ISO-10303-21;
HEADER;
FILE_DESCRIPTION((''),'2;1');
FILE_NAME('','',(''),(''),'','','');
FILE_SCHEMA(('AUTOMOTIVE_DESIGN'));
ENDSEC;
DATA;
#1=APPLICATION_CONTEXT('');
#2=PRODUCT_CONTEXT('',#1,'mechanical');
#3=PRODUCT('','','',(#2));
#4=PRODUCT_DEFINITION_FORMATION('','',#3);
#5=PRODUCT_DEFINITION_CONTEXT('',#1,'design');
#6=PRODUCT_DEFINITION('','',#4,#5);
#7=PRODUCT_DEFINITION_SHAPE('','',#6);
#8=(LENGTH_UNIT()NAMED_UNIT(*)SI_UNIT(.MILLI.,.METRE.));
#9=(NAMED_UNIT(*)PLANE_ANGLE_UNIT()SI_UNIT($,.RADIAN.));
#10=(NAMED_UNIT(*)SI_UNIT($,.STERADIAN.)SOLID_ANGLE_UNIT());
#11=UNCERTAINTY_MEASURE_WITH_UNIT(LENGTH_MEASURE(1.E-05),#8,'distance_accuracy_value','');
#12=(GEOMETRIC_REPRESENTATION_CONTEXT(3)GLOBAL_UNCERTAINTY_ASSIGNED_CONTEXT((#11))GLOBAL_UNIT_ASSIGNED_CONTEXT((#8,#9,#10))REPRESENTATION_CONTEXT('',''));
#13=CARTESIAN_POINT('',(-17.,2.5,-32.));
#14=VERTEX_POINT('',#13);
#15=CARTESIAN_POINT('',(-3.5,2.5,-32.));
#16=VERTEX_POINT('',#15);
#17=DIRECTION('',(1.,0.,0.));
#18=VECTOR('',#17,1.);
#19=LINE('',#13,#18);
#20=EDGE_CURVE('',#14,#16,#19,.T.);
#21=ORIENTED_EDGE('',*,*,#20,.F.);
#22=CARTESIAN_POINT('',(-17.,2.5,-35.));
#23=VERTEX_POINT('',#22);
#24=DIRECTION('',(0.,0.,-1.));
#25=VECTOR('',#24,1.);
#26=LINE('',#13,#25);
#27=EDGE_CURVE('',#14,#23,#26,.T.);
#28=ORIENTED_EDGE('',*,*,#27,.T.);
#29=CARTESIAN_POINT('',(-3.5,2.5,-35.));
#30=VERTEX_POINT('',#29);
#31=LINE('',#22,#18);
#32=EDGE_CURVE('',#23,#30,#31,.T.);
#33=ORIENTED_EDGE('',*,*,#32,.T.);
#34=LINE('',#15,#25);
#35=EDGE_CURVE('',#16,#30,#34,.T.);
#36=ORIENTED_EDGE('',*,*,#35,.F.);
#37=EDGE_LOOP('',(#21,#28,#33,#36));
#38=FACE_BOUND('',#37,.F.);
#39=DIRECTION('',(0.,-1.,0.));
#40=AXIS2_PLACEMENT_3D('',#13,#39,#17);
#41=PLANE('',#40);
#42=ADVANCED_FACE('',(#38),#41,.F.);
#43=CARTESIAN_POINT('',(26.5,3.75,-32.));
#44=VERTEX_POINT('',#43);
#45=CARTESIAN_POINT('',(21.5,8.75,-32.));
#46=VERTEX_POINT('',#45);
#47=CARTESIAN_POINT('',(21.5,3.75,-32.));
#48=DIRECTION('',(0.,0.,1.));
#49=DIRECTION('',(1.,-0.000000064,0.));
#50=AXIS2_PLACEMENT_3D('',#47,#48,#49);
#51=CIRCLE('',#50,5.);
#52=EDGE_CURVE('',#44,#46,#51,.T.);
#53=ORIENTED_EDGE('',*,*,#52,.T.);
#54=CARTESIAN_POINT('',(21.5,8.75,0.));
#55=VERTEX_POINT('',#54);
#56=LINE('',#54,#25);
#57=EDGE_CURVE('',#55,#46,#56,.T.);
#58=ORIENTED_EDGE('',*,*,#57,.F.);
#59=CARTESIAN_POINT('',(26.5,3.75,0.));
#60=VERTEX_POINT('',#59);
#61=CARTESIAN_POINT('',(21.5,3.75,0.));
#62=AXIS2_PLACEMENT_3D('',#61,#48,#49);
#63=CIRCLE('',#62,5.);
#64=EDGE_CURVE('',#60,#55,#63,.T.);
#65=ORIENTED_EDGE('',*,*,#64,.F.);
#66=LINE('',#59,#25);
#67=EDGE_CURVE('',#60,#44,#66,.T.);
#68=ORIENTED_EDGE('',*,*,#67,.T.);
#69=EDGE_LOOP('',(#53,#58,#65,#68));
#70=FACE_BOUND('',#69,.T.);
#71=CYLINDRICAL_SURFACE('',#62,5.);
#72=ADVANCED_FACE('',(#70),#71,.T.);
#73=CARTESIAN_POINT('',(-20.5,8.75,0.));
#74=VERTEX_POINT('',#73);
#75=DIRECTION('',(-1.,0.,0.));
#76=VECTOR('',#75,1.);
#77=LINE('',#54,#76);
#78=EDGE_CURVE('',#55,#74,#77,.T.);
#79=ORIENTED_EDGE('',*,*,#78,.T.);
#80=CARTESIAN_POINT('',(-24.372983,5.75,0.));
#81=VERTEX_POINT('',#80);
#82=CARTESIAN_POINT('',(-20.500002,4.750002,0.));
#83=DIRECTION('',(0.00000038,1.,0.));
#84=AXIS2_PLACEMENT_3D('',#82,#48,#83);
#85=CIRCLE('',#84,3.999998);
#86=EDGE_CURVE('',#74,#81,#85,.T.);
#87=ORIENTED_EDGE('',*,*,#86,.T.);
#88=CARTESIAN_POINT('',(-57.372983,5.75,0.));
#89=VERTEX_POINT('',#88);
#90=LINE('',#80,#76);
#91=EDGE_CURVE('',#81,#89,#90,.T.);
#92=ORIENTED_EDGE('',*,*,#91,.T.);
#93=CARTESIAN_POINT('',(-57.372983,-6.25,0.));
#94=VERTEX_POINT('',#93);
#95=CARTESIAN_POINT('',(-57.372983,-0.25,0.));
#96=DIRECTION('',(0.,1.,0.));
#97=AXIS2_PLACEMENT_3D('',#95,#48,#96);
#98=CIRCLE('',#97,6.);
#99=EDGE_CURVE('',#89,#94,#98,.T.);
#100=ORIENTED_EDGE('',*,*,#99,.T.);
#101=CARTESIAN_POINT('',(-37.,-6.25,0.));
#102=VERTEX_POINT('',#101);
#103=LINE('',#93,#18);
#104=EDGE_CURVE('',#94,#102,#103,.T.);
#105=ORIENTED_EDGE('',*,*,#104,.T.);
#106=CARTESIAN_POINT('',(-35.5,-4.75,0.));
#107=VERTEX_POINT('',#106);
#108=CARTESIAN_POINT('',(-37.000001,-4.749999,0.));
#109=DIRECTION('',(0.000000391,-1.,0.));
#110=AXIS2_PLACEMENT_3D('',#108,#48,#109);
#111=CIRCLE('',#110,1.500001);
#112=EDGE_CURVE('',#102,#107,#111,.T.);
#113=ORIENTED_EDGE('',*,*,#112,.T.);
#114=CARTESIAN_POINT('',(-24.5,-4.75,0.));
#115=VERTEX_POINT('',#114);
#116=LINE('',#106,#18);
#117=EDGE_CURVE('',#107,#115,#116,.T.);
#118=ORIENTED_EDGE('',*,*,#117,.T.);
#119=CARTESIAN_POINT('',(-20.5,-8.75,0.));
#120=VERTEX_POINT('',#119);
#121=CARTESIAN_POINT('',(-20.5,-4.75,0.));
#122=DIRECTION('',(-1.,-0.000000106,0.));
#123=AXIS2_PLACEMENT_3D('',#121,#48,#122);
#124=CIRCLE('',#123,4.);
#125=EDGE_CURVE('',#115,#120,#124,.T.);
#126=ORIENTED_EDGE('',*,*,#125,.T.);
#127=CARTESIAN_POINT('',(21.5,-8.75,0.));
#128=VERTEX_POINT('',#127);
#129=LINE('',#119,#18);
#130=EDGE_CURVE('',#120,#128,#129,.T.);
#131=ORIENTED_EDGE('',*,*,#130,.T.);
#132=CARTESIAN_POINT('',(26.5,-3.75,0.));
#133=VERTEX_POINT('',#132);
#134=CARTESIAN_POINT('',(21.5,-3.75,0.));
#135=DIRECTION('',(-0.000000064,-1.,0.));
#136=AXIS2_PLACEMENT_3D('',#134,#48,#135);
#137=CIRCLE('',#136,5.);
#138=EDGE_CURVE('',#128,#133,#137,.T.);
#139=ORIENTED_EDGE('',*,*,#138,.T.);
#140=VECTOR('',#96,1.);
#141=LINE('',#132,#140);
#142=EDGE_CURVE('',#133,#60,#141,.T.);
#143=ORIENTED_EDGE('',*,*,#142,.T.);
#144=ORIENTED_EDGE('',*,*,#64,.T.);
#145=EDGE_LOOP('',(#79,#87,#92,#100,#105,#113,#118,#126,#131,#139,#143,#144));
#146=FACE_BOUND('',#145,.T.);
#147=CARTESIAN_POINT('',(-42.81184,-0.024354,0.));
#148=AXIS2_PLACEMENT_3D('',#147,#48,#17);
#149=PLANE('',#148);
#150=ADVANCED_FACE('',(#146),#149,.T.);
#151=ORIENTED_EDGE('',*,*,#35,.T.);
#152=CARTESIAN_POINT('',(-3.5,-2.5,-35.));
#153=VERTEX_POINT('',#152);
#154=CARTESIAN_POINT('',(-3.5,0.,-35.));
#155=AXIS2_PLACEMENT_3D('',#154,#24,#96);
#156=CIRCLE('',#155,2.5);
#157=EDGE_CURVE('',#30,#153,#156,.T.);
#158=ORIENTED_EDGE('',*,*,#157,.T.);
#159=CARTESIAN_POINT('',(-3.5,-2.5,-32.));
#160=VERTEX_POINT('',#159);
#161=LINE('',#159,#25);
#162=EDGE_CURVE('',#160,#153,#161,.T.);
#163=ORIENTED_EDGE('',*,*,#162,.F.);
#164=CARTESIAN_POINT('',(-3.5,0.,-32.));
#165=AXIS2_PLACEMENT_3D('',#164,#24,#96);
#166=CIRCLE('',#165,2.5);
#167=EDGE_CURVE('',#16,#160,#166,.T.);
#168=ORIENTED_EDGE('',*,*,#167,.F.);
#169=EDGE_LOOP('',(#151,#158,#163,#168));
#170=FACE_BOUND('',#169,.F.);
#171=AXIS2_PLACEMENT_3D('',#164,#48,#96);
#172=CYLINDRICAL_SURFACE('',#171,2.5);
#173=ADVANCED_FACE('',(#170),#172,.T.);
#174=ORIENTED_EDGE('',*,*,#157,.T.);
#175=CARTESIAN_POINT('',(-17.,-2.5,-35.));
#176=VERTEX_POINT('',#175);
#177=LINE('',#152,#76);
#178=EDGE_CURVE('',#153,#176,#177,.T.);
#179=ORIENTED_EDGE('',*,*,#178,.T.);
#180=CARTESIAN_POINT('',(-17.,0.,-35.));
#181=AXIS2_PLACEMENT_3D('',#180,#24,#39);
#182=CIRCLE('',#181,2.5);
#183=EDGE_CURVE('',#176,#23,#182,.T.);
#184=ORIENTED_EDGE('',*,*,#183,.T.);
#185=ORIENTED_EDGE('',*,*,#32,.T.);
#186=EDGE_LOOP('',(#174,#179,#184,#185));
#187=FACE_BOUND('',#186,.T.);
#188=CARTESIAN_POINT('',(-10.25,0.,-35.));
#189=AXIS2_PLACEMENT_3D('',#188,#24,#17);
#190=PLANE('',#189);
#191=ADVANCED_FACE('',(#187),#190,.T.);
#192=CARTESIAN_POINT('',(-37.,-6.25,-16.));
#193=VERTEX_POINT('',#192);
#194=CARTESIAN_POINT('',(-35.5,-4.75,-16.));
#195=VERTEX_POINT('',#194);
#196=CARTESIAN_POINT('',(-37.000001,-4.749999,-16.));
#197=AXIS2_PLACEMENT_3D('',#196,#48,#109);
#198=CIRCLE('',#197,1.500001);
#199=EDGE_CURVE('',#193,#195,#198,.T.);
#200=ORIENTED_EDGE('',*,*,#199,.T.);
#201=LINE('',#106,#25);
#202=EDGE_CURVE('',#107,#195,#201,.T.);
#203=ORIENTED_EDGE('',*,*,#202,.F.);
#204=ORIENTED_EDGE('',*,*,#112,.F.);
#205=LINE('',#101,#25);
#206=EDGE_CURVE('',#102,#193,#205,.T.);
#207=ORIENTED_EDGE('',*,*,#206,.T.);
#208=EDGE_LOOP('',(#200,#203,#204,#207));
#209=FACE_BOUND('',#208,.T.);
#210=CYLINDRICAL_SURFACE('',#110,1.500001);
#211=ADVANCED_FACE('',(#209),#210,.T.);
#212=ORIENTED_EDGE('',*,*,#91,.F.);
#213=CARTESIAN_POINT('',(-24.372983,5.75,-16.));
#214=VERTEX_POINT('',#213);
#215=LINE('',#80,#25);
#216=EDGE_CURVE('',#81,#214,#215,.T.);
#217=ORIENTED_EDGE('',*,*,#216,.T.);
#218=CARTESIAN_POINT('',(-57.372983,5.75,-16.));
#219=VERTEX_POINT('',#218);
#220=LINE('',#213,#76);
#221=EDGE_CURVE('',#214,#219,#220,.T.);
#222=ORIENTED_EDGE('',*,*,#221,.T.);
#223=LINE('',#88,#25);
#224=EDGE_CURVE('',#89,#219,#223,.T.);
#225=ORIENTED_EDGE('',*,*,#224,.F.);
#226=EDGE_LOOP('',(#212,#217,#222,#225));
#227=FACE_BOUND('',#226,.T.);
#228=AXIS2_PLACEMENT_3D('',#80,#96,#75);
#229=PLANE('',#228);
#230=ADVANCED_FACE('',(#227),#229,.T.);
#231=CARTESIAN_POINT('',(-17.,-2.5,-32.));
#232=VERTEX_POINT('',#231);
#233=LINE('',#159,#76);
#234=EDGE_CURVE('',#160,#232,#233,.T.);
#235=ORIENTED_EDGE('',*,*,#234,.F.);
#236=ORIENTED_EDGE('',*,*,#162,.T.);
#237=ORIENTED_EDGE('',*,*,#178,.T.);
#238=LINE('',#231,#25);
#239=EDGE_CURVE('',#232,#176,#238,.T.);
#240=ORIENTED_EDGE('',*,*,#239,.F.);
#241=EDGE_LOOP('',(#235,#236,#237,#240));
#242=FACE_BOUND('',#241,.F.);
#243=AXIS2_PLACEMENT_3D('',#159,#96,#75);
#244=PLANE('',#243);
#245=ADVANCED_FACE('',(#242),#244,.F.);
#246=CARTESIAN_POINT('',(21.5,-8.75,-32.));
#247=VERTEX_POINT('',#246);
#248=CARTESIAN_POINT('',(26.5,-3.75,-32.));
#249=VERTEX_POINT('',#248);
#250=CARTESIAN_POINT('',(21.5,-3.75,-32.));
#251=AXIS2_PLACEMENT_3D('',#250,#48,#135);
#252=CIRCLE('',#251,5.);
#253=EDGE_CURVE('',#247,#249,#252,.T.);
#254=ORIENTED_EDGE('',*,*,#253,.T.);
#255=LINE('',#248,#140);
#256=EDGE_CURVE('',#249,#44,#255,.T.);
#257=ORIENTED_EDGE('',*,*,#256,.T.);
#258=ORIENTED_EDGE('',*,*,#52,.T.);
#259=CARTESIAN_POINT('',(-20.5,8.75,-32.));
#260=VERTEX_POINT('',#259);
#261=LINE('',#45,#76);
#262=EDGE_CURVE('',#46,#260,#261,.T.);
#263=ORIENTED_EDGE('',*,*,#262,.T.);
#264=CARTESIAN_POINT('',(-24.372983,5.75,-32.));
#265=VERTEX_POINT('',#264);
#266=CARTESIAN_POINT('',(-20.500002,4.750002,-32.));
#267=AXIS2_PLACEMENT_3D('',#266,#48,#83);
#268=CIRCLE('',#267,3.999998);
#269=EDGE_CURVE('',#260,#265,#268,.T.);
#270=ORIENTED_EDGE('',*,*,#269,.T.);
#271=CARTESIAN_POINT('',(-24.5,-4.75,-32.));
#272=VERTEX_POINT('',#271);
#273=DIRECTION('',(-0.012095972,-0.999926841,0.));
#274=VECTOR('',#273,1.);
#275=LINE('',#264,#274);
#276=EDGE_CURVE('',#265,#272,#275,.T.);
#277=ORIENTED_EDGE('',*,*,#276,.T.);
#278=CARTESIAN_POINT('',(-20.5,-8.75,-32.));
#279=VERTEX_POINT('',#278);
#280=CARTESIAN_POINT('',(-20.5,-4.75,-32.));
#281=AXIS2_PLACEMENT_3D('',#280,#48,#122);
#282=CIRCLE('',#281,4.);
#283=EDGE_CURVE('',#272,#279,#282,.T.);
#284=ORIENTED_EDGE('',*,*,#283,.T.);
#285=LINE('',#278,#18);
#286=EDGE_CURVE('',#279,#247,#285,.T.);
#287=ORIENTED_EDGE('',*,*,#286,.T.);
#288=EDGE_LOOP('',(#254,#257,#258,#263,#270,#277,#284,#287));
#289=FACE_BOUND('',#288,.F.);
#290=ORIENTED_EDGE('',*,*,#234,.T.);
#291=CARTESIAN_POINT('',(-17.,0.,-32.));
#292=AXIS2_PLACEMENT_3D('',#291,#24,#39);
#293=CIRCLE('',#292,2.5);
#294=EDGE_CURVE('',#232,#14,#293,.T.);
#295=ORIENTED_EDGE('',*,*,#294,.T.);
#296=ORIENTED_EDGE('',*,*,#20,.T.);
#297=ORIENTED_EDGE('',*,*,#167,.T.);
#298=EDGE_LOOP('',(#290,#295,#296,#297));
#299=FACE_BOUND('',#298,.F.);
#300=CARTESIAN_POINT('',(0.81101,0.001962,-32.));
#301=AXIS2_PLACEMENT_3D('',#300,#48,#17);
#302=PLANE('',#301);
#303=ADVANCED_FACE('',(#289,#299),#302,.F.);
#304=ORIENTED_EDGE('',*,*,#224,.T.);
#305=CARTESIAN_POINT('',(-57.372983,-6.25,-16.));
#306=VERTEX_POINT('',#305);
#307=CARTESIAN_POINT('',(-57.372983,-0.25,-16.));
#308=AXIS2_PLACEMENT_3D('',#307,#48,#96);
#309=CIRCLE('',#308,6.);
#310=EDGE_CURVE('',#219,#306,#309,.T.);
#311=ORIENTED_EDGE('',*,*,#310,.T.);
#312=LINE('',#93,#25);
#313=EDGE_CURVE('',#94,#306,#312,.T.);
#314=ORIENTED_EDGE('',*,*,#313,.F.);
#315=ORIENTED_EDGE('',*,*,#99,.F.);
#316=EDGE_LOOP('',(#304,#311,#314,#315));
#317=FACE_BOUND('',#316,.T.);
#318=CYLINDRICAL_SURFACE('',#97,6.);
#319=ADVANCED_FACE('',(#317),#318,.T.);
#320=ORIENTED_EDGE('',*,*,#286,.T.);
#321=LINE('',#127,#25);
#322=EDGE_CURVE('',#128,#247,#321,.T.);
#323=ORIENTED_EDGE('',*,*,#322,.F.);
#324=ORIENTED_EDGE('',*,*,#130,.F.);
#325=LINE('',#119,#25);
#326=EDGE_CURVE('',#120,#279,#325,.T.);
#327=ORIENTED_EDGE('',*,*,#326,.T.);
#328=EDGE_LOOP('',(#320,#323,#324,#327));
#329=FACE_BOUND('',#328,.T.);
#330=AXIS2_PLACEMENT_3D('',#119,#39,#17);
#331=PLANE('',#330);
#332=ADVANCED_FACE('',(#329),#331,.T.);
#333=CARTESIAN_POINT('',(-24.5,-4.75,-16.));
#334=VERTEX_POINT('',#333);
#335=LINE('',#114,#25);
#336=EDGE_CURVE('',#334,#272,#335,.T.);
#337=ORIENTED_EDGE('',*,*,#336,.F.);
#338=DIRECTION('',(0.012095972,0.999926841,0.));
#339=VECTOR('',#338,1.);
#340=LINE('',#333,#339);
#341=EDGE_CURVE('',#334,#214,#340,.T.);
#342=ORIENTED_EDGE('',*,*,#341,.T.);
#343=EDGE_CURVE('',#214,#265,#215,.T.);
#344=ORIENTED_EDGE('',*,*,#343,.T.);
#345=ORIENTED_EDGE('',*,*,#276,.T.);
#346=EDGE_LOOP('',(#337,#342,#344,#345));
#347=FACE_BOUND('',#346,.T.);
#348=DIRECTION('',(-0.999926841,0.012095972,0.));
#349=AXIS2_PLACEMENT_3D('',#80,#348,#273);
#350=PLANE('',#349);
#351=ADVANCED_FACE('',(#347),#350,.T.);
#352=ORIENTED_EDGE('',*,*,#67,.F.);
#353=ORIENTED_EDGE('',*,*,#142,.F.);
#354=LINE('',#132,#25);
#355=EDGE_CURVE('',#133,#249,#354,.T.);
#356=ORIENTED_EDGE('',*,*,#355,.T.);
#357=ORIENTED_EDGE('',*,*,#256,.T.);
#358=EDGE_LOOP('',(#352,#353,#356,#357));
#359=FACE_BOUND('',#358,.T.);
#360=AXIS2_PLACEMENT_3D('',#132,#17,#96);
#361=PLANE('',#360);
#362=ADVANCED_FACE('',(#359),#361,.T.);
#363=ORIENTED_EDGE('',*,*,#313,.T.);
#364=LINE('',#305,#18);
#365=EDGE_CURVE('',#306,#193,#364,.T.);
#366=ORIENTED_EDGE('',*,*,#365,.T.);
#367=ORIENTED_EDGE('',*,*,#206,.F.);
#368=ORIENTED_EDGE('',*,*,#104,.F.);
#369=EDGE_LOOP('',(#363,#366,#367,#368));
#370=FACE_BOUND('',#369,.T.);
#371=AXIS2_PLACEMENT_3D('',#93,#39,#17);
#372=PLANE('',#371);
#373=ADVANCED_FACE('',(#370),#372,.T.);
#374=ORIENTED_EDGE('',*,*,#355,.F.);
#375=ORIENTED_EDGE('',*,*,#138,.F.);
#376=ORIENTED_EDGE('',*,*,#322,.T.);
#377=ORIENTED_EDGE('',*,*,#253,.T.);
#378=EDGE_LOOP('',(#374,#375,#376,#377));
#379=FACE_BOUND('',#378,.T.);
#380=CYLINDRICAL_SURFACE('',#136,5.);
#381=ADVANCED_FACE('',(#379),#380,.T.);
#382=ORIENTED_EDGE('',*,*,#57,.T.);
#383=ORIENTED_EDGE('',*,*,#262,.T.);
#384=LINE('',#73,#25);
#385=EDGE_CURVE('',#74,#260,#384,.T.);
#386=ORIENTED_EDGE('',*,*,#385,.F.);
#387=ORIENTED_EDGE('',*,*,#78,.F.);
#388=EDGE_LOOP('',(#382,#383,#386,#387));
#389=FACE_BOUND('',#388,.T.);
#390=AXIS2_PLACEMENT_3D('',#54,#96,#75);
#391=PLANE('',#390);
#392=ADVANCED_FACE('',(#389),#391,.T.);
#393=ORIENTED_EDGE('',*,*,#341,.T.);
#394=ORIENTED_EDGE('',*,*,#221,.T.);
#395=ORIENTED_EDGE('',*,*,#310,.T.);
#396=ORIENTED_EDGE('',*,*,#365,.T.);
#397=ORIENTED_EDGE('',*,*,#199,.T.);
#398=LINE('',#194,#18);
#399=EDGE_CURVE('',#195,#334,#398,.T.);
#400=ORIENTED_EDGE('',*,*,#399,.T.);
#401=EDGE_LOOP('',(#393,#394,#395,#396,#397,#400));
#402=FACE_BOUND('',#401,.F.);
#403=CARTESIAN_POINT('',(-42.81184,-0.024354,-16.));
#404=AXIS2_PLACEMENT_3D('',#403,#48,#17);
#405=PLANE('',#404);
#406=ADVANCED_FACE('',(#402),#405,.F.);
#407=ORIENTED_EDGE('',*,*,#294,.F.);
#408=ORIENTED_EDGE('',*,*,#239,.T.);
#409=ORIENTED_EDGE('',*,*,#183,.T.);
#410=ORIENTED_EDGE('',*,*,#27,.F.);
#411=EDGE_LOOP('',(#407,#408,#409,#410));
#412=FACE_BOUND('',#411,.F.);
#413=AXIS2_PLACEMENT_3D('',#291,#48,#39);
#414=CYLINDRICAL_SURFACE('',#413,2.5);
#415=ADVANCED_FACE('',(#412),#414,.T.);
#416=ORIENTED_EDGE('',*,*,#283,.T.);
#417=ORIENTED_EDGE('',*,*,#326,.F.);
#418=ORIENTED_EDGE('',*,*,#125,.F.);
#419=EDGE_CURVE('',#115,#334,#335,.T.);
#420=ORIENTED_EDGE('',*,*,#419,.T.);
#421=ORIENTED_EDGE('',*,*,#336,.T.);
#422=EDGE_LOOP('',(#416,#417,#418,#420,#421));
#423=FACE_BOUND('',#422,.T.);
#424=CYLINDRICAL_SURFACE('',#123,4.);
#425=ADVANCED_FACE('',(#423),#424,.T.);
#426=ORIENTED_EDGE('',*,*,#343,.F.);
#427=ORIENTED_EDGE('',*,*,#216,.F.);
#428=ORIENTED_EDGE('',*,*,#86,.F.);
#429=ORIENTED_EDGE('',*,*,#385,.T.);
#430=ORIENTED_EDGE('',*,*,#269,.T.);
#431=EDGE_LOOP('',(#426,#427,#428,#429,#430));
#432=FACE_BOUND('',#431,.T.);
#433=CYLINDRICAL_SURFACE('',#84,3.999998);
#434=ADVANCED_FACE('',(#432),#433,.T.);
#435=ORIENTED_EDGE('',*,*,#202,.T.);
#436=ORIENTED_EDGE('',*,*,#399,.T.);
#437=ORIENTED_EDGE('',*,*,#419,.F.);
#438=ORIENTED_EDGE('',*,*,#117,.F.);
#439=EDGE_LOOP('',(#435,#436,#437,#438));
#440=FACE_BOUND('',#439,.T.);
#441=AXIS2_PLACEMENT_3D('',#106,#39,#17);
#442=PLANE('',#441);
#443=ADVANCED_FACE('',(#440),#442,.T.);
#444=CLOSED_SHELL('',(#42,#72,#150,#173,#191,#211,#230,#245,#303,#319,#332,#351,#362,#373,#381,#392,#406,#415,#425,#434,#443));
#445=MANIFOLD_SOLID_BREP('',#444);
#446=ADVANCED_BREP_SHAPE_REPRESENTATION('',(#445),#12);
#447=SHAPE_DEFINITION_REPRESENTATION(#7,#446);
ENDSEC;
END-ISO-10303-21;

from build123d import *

# Parameters (mm, degrees)
F1_DEPTH = 32
F2_DEPTH = 16
F4_DEPTH = 3


with BuildPart() as f1:
    # F0 (on Top) → F1 (new body)
    with BuildSketch(Plane.XY):
        with BuildLine():
            Line((21.5, 8.75), (-20.5, 8.75))
            ThreePointArc((-20.5, 8.75), (-22.94949, 7.912278), (-24.372983, 5.75))
            Line((-24.372983, 5.75), (-24.5, -4.75))
            ThreePointArc((-24.5, -4.75), (-23.328427, -7.578427), (-20.5, -8.75))
            Line((-20.5, -8.75), (21.5, -8.75))
            ThreePointArc((21.5, -8.75), (25.035534, -7.285534), (26.5, -3.75))
            Line((26.5, -3.75), (26.5, 3.75))
            ThreePointArc((26.5, 3.75), (25.035534, 7.285534), (21.5, 8.75))
        make_face()
    extrude(amount=-F1_DEPTH)

    # F0 (on Top) → F2 (join)
    with BuildSketch(Plane.XY):
        with BuildLine():
            Line((-24.5, -4.75), (-24.372983, 5.75))
            Line((-24.372983, 5.75), (-57.372983, 5.75))
            ThreePointArc((-57.372983, 5.75), (-63.372983, -0.25), (-57.372983, -6.25))
            Line((-57.372983, -6.25), (-37, -6.25))
            ThreePointArc((-37, -6.25), (-35.93934, -5.81066), (-35.5, -4.75))
            Line((-35.5, -4.75), (-24.5, -4.75))
        make_face()
    extrude(amount=-F2_DEPTH)

    # F3 (on face) → F4 (join)
    with BuildSketch(Plane(origin=(0, 0, -32), x_dir=(1, 0, 0), z_dir=(0, 0, -1))):
        with BuildLine():
            ThreePointArc((-3.5, -2.5), (-1, 0), (-3.5, 2.5))
            Line((-3.5, 2.5), (-17, 2.5))
            ThreePointArc((-17, 2.5), (-19.5, 0), (-17, -2.5))
            Line((-17, -2.5), (-3.5, -2.5))
        make_face()
    extrude(amount=F4_DEPTH)


solid = f1.part
